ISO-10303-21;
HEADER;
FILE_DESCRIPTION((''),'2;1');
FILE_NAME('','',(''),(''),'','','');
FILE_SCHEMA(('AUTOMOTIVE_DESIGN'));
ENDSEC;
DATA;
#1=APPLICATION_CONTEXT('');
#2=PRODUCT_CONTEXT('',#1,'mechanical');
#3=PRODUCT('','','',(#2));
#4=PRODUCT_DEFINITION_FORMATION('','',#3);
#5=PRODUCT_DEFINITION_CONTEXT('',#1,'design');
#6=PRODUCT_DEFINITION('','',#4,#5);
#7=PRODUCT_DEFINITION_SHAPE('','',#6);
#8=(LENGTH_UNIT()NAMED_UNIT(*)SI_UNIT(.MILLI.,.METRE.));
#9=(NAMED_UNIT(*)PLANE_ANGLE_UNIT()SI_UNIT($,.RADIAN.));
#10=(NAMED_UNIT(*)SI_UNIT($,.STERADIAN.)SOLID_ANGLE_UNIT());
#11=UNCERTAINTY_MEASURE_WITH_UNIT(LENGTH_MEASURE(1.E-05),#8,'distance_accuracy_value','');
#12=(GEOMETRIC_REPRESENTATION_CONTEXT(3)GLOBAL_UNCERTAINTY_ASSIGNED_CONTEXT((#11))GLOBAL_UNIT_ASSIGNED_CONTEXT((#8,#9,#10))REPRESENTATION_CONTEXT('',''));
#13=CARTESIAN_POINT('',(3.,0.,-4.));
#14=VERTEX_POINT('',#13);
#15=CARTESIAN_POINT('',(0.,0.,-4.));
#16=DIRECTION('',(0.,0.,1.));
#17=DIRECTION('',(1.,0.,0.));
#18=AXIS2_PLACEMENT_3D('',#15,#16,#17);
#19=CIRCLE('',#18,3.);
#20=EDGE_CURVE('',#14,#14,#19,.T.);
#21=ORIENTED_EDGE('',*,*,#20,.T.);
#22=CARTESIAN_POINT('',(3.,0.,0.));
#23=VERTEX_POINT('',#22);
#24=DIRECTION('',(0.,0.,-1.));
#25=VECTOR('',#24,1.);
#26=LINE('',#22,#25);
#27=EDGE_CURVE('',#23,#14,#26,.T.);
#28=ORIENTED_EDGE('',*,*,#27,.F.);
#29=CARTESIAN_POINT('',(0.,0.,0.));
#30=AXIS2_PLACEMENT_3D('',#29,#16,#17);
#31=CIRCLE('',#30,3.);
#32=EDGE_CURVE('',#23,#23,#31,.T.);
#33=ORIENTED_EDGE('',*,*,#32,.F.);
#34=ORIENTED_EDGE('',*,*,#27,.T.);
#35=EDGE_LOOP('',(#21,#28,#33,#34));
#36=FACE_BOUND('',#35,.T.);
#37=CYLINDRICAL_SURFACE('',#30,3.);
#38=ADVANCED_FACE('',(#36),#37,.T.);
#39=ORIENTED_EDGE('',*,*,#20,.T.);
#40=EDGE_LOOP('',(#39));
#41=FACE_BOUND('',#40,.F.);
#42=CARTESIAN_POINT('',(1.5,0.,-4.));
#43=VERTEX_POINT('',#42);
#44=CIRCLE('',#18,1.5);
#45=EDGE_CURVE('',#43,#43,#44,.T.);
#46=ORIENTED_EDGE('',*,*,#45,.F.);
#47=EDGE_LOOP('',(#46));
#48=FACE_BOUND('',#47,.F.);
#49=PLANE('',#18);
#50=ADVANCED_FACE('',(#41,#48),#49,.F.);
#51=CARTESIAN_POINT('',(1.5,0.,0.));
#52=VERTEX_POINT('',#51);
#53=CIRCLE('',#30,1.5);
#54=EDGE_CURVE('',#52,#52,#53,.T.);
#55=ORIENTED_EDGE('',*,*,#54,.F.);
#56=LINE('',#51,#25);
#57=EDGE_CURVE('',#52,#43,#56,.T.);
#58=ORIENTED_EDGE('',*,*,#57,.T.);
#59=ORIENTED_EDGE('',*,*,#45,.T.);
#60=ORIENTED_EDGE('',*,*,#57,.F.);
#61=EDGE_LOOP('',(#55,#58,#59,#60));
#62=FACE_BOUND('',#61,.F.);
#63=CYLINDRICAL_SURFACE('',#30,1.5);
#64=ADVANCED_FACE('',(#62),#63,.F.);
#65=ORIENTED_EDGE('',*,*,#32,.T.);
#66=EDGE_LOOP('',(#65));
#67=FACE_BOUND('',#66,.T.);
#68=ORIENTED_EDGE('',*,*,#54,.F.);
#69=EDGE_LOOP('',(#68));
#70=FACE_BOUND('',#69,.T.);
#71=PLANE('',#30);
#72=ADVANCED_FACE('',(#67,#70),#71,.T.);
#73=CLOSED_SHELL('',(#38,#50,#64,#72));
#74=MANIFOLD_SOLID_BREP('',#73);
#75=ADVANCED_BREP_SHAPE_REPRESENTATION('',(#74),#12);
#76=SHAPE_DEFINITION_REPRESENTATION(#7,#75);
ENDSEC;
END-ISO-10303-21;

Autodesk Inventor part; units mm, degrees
ref_plane "YZ Plane" through (0, 0, 0) normal (1, 0, 0) x (0, 1, 0)
ref_plane "XZ Plane" through (0, 0, 0) normal (0, 1, 0) x (-1, 0, 0)
ref_plane "XY Plane" through (0, 0, 0) normal (0, 0, 1) x (1, 0, 0)
sketch "Sketch1" plane through (0, 0, 0) normal (0, 0, 1) x (1, 0, 0)
  circle A0 centre (0, 0) radius 1.5
  circle A1 centre (0, 0) radius 3
  dimension "d0" = 3
  dimension "d1" = 6
extrude "Extrusion1" add sketch "Sketch1" against normal blind 4
properties part number ";4" material "Aluminum 2014-T4"
